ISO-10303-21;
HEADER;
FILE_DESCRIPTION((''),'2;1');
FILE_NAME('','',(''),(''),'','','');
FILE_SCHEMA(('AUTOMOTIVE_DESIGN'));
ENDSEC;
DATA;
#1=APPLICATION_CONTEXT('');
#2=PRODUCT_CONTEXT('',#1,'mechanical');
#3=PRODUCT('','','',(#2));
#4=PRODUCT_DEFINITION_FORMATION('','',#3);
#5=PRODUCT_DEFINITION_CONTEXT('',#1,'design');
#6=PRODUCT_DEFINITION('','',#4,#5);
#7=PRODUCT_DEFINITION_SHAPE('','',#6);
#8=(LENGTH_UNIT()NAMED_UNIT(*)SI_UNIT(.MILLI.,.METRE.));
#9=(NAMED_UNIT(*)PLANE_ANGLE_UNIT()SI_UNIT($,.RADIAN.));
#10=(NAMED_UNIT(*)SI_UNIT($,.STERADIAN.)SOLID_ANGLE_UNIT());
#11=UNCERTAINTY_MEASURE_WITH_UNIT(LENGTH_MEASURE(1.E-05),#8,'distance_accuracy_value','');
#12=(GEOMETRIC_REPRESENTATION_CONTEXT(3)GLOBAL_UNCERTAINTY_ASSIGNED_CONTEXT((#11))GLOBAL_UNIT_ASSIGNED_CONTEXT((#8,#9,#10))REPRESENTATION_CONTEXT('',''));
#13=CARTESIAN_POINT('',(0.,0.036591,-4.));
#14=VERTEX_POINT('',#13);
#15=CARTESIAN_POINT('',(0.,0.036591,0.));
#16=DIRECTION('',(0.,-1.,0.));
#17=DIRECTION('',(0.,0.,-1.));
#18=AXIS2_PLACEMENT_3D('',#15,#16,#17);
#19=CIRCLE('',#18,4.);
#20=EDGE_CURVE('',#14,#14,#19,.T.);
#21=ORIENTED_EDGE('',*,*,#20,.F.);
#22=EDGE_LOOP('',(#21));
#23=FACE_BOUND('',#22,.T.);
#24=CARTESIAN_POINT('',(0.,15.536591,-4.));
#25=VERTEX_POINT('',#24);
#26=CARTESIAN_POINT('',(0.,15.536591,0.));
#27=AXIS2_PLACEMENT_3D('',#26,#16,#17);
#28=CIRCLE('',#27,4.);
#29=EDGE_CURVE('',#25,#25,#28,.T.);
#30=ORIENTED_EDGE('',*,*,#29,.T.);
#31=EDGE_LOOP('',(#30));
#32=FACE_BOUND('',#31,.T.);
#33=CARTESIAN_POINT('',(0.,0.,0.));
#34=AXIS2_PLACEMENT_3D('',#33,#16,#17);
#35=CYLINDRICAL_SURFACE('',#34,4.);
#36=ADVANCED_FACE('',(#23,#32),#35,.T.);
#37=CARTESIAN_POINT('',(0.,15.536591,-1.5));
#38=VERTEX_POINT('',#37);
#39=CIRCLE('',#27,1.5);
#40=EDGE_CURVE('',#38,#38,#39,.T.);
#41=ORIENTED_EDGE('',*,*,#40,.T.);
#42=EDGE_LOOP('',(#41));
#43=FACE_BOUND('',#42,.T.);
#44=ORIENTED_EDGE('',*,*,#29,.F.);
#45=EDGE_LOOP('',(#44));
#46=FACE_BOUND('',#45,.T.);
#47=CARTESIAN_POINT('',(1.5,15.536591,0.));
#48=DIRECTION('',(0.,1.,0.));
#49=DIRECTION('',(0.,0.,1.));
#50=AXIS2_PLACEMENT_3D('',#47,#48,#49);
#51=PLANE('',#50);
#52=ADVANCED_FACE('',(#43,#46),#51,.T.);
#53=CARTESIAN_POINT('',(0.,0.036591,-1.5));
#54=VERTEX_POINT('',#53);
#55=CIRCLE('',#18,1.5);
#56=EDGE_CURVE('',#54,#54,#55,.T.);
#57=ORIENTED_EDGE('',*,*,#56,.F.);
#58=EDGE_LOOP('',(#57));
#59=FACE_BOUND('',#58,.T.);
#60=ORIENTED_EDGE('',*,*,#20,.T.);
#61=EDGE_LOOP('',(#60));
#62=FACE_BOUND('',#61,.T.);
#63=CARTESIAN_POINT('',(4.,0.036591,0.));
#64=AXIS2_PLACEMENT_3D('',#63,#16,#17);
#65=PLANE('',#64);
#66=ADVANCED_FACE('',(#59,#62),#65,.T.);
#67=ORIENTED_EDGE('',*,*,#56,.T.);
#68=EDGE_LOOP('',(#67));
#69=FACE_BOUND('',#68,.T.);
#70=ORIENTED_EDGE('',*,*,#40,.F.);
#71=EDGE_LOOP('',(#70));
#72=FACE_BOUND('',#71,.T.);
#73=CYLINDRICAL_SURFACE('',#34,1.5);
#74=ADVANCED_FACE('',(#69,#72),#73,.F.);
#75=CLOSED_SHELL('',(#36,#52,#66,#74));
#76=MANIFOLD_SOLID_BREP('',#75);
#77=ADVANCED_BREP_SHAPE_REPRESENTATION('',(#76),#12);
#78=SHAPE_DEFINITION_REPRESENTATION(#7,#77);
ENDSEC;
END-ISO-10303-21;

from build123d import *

# Parameters (mm, degrees)
SKETCH_1_W = 2.5
SKETCH_1_H = 15.5


with BuildPart() as part:
    # Эскиз1 → Повернуть1 (revolve)
    with BuildSketch(Plane.XY):
        with Locations((2.75, 7.786590587)):
            Rectangle(SKETCH_1_W, SKETCH_1_H)
    revolve(axis=Axis((0, 0, 0), (0, 1, 0)))


solid = part.part
